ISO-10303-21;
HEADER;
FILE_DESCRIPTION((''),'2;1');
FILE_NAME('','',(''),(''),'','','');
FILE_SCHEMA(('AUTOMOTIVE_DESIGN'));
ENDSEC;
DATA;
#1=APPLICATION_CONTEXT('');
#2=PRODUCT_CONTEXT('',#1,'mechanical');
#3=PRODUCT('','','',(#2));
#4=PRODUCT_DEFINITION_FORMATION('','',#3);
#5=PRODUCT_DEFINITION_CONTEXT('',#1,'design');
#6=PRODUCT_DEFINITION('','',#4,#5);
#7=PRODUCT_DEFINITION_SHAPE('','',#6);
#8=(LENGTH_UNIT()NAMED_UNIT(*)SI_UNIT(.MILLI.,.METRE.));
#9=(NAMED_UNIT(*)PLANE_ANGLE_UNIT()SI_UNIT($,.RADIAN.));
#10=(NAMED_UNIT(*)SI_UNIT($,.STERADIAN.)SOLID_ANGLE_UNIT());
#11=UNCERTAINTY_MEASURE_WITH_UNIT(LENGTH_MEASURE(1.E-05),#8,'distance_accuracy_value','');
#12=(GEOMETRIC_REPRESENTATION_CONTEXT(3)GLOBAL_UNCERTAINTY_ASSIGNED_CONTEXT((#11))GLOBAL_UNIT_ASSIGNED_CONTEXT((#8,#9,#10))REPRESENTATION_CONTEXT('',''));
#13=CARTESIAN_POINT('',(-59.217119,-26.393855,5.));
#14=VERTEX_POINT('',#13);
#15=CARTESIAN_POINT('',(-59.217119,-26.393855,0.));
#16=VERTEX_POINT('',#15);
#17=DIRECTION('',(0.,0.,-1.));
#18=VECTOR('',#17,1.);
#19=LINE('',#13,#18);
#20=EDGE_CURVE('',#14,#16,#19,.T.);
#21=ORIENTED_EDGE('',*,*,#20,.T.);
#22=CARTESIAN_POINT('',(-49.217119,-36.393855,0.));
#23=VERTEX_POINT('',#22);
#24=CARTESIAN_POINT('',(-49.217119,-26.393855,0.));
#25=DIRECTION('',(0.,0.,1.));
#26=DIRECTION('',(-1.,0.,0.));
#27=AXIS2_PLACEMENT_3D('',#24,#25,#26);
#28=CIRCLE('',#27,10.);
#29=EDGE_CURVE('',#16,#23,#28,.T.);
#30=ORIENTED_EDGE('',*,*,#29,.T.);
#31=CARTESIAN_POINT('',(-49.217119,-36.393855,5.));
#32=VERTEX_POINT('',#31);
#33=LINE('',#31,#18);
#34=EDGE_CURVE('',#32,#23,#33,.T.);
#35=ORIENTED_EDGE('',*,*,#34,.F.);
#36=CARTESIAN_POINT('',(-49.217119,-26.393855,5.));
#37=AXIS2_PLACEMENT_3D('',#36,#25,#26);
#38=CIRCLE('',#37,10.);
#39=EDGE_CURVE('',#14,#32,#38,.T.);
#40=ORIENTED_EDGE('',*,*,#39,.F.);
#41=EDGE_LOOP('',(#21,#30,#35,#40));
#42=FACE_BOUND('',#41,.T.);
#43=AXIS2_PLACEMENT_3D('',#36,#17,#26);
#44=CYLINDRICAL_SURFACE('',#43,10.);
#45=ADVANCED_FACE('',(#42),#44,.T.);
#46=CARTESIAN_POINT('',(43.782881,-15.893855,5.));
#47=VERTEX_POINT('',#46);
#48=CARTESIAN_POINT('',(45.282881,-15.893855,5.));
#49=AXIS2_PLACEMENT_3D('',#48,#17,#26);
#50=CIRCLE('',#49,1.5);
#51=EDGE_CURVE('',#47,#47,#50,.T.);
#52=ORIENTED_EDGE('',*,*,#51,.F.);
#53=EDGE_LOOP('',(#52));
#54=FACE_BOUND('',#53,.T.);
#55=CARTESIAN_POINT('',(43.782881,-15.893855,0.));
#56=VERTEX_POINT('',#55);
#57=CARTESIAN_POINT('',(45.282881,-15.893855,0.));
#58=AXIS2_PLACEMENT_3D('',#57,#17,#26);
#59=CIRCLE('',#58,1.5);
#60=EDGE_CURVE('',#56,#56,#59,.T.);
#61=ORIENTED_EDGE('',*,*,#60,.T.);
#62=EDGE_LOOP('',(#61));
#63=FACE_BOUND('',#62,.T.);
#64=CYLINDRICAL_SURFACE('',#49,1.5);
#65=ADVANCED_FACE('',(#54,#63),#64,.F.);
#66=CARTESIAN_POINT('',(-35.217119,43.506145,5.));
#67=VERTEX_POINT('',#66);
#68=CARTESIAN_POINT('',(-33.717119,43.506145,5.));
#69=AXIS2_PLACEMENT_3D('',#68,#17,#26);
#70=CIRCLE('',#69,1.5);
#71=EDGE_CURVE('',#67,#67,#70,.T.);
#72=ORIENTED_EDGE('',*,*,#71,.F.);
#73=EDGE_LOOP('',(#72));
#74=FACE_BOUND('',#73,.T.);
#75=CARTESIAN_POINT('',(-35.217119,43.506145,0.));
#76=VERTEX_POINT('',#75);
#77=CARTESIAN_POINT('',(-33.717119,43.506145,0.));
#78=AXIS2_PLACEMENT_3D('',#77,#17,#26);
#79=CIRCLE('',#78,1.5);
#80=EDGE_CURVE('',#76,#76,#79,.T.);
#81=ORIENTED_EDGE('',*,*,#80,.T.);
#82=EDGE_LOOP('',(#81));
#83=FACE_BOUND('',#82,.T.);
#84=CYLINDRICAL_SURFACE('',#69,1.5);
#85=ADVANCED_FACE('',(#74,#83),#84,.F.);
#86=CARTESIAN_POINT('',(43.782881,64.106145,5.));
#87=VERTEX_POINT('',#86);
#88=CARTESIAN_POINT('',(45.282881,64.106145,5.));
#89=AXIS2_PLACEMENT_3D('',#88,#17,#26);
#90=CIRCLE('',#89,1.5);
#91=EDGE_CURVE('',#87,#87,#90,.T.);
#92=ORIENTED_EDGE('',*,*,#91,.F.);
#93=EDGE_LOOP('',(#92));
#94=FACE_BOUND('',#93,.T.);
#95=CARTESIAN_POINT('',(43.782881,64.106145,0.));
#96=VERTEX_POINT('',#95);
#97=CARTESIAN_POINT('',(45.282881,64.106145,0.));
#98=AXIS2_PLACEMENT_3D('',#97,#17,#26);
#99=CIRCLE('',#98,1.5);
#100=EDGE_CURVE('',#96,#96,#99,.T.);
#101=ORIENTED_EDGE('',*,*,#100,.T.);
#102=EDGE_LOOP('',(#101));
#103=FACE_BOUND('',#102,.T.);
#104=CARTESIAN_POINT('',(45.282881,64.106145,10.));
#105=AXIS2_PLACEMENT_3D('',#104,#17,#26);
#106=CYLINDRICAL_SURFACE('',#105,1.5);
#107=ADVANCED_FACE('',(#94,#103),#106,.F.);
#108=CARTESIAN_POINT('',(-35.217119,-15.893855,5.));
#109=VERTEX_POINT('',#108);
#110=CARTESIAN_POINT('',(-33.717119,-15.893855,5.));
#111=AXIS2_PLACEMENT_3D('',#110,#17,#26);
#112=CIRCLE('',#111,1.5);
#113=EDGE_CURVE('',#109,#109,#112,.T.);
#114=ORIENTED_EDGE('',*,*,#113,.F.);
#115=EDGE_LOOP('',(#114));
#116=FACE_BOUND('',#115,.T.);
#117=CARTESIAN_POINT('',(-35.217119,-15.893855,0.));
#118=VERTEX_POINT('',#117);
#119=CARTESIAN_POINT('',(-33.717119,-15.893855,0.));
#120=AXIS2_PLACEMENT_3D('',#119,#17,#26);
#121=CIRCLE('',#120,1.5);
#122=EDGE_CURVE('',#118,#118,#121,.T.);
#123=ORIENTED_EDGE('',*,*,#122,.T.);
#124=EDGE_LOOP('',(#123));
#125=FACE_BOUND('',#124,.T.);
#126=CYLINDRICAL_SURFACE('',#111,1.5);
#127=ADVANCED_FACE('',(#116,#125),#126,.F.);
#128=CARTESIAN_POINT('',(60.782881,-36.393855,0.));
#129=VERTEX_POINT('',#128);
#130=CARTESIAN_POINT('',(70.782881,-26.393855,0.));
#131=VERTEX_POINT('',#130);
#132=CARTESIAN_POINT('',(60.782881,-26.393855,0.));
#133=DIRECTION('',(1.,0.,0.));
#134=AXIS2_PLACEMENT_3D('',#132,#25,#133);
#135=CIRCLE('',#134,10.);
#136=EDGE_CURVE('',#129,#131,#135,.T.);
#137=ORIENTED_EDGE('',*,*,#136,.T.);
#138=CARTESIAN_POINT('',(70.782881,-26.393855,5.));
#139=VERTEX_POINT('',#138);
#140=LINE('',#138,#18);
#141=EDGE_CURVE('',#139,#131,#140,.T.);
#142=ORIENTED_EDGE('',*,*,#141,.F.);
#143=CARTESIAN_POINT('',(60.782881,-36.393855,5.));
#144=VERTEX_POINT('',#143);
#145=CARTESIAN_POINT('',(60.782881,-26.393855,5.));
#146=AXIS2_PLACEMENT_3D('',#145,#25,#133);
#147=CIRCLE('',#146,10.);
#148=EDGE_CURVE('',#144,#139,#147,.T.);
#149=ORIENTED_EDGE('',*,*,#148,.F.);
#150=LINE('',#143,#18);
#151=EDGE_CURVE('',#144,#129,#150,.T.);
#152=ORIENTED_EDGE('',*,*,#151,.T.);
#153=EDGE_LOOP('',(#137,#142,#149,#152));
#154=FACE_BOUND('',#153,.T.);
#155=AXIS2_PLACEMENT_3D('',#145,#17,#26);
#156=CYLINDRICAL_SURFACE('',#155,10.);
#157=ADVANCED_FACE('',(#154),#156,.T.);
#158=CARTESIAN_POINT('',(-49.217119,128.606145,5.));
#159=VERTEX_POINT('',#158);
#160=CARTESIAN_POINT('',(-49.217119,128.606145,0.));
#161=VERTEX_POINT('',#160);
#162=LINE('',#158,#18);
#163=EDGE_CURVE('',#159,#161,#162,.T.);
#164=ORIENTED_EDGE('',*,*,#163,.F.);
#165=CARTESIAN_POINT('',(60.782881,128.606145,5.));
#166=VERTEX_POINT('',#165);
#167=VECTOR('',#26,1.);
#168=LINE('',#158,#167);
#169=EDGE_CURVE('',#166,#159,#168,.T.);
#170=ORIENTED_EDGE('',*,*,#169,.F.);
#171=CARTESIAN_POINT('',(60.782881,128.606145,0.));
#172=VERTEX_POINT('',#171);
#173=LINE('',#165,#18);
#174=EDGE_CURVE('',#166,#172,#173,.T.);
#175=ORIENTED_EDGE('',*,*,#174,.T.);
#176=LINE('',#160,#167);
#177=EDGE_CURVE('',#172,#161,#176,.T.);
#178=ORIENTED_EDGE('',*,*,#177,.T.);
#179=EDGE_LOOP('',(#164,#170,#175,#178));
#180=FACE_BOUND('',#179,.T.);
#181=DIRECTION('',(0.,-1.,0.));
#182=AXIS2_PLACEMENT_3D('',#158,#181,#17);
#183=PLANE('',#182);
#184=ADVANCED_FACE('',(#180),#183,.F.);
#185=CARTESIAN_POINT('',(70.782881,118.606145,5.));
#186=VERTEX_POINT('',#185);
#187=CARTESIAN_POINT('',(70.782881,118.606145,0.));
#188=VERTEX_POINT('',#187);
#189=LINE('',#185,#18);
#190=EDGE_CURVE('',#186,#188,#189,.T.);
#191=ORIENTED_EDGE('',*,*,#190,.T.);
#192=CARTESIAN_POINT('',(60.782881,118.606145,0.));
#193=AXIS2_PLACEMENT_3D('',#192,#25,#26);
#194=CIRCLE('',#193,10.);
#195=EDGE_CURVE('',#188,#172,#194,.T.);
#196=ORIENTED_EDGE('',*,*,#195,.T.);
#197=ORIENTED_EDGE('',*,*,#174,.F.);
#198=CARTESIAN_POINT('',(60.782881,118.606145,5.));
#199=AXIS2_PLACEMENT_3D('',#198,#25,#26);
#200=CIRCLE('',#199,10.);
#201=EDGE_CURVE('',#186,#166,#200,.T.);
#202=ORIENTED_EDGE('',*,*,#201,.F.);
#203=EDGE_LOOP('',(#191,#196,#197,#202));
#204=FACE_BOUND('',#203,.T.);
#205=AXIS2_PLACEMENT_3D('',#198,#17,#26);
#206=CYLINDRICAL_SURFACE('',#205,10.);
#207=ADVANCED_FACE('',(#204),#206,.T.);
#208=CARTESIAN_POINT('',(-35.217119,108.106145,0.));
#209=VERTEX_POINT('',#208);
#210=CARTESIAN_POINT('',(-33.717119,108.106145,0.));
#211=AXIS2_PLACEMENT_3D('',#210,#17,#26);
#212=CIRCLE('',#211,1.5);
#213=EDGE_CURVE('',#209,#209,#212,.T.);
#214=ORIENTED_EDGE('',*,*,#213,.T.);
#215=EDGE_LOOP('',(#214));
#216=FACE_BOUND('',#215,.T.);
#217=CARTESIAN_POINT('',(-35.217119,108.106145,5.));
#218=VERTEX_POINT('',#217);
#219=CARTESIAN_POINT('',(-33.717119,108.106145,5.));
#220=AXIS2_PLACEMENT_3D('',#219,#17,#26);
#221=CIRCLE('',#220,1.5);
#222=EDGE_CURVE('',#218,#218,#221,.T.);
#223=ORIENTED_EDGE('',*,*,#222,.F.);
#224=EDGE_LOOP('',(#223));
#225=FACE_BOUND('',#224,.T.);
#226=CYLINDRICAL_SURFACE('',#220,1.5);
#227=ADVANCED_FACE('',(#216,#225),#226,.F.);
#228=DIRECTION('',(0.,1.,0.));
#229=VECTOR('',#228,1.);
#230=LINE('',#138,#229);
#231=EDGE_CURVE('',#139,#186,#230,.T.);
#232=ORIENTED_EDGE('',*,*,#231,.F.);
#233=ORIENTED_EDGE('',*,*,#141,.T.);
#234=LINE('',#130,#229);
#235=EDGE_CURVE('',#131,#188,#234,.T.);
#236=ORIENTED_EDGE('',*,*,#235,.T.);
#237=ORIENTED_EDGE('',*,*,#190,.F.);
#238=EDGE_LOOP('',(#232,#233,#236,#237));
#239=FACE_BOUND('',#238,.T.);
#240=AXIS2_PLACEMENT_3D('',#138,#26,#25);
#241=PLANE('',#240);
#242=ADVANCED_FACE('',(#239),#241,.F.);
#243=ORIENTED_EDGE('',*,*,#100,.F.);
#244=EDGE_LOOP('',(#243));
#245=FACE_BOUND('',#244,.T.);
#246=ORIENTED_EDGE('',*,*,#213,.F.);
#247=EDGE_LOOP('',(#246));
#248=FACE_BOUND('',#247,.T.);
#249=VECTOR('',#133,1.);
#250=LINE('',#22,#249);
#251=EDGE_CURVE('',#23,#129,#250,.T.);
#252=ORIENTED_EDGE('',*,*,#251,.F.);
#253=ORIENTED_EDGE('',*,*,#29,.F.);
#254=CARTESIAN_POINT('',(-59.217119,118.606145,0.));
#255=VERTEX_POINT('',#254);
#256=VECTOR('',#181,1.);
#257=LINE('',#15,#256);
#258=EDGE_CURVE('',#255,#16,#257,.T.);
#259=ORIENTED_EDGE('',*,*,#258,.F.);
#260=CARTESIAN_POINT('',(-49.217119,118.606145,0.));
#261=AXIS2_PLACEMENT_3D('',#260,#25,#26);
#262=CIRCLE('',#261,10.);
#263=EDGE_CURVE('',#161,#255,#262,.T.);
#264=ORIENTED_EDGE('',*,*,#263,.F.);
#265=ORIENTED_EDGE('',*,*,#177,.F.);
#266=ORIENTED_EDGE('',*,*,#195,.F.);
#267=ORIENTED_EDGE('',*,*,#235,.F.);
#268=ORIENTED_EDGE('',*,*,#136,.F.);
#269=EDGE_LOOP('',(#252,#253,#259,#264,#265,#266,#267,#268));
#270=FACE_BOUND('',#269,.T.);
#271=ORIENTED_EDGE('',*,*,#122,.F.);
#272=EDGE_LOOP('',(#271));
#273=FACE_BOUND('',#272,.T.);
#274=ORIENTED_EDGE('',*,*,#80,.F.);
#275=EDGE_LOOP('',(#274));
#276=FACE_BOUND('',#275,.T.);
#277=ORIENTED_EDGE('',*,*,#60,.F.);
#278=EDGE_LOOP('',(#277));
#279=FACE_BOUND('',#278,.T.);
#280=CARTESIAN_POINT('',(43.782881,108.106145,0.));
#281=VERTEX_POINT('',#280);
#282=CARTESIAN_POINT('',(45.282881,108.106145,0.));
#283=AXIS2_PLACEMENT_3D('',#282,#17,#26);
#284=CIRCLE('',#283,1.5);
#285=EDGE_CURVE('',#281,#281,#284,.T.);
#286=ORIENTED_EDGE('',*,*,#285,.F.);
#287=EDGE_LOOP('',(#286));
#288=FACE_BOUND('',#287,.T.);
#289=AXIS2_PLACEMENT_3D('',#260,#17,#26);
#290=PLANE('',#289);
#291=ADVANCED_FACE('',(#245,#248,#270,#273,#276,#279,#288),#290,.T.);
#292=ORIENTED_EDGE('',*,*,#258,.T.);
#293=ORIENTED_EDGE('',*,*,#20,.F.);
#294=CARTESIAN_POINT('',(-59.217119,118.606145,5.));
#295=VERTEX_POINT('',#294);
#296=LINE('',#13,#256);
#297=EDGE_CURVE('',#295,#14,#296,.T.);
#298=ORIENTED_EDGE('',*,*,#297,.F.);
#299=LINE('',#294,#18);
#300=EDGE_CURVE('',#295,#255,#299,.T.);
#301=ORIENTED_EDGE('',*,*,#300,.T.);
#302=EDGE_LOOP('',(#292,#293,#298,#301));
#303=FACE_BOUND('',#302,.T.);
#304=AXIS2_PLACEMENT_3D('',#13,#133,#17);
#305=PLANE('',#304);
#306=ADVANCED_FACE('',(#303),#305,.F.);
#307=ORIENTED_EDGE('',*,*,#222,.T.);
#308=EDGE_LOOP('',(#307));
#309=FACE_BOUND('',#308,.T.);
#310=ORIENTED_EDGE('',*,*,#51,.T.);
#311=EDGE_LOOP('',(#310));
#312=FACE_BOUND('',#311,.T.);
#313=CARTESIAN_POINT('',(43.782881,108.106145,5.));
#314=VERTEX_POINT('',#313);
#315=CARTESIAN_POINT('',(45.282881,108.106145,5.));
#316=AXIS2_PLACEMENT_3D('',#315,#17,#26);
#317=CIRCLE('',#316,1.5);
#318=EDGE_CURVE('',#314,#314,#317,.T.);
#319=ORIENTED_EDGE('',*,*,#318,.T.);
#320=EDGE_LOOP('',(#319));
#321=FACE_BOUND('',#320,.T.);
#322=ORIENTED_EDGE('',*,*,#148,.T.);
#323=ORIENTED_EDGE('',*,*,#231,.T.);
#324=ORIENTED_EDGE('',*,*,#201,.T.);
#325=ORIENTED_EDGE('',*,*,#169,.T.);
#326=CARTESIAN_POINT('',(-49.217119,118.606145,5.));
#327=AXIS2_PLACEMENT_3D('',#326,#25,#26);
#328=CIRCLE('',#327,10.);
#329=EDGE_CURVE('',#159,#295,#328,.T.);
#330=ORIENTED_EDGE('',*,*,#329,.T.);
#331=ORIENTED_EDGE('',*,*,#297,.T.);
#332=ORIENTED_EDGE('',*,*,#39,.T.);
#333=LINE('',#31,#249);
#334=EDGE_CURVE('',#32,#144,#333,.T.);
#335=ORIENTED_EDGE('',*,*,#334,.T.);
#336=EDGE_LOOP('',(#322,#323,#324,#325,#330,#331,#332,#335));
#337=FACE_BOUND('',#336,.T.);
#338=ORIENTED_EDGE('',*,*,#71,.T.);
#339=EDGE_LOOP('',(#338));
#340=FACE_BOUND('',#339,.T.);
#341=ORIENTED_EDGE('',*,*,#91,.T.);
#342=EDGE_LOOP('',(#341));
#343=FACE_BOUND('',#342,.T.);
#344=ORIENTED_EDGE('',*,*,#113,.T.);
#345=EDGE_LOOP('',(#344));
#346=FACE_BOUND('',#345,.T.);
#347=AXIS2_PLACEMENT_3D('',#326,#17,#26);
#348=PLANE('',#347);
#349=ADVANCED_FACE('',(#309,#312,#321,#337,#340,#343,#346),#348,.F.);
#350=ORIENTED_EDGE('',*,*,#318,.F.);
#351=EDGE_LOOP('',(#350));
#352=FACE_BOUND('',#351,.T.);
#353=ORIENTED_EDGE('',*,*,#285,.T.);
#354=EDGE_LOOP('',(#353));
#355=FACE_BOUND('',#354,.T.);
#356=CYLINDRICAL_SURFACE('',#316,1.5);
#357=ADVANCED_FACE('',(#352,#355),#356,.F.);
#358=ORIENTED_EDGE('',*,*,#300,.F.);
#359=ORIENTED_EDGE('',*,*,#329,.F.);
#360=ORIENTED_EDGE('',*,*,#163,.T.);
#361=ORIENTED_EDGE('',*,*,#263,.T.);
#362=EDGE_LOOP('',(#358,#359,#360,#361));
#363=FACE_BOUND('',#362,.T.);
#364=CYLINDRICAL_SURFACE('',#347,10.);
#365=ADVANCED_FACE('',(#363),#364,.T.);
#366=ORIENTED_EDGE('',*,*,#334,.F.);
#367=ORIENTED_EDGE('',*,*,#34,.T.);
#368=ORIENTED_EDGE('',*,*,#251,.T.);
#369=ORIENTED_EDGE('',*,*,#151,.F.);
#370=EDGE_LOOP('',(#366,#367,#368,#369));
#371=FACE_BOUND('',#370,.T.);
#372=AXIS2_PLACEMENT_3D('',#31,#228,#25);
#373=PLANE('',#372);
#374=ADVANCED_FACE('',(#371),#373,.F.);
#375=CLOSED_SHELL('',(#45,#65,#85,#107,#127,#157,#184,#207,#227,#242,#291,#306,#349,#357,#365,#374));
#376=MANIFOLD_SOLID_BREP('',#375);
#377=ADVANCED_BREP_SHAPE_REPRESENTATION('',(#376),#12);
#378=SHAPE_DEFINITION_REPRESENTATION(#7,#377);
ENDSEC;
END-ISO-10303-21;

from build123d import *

# Parameters (mm, degrees)
RESSALTO_EXTRUS_O1_DEPTH = 5
ESBO_O2_R                = 1.5
CORTE_EXTRUS_O1_DEPTH    = 5
ESBO_O3_R                = 1.5
CORTE_EXTRUS_O2_DEPTH    = 6
ESBO_O9_R                = 1.5
CORTE_EXTRUS_O7_DEPTH    = 10


with BuildPart() as part:
    # Esboço1 → Ressalto-extrusão1 (new body)
    with BuildSketch(Plane.XY):
        with BuildLine():
            Line((-49.217119449, -36.393854661), (60.782880551, -36.393854661))
            ThreePointArc((60.782880551, -36.393854661), (67.853948363, -33.464922473), (70.782880551, -26.393854661))
            Line((70.782880551, -26.393854661), (70.782880551, 118.606145339))
            ThreePointArc((70.782880551, 118.606145339), (67.853948363, 125.67721315), (60.782880551, 128.606145339))
            Line((60.782880551, 128.606145339), (-49.217119449, 128.606145339))
            ThreePointArc((-49.217119449, 128.606145339), (-56.288187261, 125.67721315), (-59.217119449, 118.606145339))
            Line((-59.217119449, 118.606145339), (-59.217119449, -26.393854661))
            ThreePointArc((-59.217119449, -26.393854661), (-56.288187261, -33.464922473), (-49.217119449, -36.393854661))
        make_face()
    extrude(amount=RESSALTO_EXTRUS_O1_DEPTH)

    # Esboço2 → Corte-extrusão1 (cut)
    with BuildSketch(Plane(origin=(0, 0, 0), x_dir=(-1, 0, 0), z_dir=(0, 0, -1))):
        with Locations((33.717119449, -15.893854661)):
            Circle(ESBO_O2_R)
        with Locations((33.717119449, 108.106145339)):
            Circle(ESBO_O2_R)
        with Locations((-45.282880551, -15.893854661)):
            Circle(ESBO_O2_R)
        with Locations((-45.282880551, 108.106145339)):
            Circle(ESBO_O2_R)
    extrude(amount=-CORTE_EXTRUS_O1_DEPTH, mode=Mode.SUBTRACT)

    # Esboço3 → Corte-extrusão2 (cut, through all)
    with BuildSketch(Plane(origin=(0, 0, 0), x_dir=(-1, 0, 0), z_dir=(0, 0, -1))):
        with Locations((33.717119449, 43.506145339)):
            Circle(ESBO_O3_R)
    extrude(amount=-CORTE_EXTRUS_O2_DEPTH, mode=Mode.SUBTRACT)

    # Esboço9 → Corte-extrusão7 (cut)
    with BuildSketch(Plane(origin=(0, 0, 0), x_dir=(-1, 0, 0), z_dir=(0, 0, -1))):
        with Locations((-45.282880551, 64.106145339)):
            Circle(ESBO_O9_R)
    extrude(amount=-CORTE_EXTRUS_O7_DEPTH, mode=Mode.SUBTRACT)


solid = part.part
